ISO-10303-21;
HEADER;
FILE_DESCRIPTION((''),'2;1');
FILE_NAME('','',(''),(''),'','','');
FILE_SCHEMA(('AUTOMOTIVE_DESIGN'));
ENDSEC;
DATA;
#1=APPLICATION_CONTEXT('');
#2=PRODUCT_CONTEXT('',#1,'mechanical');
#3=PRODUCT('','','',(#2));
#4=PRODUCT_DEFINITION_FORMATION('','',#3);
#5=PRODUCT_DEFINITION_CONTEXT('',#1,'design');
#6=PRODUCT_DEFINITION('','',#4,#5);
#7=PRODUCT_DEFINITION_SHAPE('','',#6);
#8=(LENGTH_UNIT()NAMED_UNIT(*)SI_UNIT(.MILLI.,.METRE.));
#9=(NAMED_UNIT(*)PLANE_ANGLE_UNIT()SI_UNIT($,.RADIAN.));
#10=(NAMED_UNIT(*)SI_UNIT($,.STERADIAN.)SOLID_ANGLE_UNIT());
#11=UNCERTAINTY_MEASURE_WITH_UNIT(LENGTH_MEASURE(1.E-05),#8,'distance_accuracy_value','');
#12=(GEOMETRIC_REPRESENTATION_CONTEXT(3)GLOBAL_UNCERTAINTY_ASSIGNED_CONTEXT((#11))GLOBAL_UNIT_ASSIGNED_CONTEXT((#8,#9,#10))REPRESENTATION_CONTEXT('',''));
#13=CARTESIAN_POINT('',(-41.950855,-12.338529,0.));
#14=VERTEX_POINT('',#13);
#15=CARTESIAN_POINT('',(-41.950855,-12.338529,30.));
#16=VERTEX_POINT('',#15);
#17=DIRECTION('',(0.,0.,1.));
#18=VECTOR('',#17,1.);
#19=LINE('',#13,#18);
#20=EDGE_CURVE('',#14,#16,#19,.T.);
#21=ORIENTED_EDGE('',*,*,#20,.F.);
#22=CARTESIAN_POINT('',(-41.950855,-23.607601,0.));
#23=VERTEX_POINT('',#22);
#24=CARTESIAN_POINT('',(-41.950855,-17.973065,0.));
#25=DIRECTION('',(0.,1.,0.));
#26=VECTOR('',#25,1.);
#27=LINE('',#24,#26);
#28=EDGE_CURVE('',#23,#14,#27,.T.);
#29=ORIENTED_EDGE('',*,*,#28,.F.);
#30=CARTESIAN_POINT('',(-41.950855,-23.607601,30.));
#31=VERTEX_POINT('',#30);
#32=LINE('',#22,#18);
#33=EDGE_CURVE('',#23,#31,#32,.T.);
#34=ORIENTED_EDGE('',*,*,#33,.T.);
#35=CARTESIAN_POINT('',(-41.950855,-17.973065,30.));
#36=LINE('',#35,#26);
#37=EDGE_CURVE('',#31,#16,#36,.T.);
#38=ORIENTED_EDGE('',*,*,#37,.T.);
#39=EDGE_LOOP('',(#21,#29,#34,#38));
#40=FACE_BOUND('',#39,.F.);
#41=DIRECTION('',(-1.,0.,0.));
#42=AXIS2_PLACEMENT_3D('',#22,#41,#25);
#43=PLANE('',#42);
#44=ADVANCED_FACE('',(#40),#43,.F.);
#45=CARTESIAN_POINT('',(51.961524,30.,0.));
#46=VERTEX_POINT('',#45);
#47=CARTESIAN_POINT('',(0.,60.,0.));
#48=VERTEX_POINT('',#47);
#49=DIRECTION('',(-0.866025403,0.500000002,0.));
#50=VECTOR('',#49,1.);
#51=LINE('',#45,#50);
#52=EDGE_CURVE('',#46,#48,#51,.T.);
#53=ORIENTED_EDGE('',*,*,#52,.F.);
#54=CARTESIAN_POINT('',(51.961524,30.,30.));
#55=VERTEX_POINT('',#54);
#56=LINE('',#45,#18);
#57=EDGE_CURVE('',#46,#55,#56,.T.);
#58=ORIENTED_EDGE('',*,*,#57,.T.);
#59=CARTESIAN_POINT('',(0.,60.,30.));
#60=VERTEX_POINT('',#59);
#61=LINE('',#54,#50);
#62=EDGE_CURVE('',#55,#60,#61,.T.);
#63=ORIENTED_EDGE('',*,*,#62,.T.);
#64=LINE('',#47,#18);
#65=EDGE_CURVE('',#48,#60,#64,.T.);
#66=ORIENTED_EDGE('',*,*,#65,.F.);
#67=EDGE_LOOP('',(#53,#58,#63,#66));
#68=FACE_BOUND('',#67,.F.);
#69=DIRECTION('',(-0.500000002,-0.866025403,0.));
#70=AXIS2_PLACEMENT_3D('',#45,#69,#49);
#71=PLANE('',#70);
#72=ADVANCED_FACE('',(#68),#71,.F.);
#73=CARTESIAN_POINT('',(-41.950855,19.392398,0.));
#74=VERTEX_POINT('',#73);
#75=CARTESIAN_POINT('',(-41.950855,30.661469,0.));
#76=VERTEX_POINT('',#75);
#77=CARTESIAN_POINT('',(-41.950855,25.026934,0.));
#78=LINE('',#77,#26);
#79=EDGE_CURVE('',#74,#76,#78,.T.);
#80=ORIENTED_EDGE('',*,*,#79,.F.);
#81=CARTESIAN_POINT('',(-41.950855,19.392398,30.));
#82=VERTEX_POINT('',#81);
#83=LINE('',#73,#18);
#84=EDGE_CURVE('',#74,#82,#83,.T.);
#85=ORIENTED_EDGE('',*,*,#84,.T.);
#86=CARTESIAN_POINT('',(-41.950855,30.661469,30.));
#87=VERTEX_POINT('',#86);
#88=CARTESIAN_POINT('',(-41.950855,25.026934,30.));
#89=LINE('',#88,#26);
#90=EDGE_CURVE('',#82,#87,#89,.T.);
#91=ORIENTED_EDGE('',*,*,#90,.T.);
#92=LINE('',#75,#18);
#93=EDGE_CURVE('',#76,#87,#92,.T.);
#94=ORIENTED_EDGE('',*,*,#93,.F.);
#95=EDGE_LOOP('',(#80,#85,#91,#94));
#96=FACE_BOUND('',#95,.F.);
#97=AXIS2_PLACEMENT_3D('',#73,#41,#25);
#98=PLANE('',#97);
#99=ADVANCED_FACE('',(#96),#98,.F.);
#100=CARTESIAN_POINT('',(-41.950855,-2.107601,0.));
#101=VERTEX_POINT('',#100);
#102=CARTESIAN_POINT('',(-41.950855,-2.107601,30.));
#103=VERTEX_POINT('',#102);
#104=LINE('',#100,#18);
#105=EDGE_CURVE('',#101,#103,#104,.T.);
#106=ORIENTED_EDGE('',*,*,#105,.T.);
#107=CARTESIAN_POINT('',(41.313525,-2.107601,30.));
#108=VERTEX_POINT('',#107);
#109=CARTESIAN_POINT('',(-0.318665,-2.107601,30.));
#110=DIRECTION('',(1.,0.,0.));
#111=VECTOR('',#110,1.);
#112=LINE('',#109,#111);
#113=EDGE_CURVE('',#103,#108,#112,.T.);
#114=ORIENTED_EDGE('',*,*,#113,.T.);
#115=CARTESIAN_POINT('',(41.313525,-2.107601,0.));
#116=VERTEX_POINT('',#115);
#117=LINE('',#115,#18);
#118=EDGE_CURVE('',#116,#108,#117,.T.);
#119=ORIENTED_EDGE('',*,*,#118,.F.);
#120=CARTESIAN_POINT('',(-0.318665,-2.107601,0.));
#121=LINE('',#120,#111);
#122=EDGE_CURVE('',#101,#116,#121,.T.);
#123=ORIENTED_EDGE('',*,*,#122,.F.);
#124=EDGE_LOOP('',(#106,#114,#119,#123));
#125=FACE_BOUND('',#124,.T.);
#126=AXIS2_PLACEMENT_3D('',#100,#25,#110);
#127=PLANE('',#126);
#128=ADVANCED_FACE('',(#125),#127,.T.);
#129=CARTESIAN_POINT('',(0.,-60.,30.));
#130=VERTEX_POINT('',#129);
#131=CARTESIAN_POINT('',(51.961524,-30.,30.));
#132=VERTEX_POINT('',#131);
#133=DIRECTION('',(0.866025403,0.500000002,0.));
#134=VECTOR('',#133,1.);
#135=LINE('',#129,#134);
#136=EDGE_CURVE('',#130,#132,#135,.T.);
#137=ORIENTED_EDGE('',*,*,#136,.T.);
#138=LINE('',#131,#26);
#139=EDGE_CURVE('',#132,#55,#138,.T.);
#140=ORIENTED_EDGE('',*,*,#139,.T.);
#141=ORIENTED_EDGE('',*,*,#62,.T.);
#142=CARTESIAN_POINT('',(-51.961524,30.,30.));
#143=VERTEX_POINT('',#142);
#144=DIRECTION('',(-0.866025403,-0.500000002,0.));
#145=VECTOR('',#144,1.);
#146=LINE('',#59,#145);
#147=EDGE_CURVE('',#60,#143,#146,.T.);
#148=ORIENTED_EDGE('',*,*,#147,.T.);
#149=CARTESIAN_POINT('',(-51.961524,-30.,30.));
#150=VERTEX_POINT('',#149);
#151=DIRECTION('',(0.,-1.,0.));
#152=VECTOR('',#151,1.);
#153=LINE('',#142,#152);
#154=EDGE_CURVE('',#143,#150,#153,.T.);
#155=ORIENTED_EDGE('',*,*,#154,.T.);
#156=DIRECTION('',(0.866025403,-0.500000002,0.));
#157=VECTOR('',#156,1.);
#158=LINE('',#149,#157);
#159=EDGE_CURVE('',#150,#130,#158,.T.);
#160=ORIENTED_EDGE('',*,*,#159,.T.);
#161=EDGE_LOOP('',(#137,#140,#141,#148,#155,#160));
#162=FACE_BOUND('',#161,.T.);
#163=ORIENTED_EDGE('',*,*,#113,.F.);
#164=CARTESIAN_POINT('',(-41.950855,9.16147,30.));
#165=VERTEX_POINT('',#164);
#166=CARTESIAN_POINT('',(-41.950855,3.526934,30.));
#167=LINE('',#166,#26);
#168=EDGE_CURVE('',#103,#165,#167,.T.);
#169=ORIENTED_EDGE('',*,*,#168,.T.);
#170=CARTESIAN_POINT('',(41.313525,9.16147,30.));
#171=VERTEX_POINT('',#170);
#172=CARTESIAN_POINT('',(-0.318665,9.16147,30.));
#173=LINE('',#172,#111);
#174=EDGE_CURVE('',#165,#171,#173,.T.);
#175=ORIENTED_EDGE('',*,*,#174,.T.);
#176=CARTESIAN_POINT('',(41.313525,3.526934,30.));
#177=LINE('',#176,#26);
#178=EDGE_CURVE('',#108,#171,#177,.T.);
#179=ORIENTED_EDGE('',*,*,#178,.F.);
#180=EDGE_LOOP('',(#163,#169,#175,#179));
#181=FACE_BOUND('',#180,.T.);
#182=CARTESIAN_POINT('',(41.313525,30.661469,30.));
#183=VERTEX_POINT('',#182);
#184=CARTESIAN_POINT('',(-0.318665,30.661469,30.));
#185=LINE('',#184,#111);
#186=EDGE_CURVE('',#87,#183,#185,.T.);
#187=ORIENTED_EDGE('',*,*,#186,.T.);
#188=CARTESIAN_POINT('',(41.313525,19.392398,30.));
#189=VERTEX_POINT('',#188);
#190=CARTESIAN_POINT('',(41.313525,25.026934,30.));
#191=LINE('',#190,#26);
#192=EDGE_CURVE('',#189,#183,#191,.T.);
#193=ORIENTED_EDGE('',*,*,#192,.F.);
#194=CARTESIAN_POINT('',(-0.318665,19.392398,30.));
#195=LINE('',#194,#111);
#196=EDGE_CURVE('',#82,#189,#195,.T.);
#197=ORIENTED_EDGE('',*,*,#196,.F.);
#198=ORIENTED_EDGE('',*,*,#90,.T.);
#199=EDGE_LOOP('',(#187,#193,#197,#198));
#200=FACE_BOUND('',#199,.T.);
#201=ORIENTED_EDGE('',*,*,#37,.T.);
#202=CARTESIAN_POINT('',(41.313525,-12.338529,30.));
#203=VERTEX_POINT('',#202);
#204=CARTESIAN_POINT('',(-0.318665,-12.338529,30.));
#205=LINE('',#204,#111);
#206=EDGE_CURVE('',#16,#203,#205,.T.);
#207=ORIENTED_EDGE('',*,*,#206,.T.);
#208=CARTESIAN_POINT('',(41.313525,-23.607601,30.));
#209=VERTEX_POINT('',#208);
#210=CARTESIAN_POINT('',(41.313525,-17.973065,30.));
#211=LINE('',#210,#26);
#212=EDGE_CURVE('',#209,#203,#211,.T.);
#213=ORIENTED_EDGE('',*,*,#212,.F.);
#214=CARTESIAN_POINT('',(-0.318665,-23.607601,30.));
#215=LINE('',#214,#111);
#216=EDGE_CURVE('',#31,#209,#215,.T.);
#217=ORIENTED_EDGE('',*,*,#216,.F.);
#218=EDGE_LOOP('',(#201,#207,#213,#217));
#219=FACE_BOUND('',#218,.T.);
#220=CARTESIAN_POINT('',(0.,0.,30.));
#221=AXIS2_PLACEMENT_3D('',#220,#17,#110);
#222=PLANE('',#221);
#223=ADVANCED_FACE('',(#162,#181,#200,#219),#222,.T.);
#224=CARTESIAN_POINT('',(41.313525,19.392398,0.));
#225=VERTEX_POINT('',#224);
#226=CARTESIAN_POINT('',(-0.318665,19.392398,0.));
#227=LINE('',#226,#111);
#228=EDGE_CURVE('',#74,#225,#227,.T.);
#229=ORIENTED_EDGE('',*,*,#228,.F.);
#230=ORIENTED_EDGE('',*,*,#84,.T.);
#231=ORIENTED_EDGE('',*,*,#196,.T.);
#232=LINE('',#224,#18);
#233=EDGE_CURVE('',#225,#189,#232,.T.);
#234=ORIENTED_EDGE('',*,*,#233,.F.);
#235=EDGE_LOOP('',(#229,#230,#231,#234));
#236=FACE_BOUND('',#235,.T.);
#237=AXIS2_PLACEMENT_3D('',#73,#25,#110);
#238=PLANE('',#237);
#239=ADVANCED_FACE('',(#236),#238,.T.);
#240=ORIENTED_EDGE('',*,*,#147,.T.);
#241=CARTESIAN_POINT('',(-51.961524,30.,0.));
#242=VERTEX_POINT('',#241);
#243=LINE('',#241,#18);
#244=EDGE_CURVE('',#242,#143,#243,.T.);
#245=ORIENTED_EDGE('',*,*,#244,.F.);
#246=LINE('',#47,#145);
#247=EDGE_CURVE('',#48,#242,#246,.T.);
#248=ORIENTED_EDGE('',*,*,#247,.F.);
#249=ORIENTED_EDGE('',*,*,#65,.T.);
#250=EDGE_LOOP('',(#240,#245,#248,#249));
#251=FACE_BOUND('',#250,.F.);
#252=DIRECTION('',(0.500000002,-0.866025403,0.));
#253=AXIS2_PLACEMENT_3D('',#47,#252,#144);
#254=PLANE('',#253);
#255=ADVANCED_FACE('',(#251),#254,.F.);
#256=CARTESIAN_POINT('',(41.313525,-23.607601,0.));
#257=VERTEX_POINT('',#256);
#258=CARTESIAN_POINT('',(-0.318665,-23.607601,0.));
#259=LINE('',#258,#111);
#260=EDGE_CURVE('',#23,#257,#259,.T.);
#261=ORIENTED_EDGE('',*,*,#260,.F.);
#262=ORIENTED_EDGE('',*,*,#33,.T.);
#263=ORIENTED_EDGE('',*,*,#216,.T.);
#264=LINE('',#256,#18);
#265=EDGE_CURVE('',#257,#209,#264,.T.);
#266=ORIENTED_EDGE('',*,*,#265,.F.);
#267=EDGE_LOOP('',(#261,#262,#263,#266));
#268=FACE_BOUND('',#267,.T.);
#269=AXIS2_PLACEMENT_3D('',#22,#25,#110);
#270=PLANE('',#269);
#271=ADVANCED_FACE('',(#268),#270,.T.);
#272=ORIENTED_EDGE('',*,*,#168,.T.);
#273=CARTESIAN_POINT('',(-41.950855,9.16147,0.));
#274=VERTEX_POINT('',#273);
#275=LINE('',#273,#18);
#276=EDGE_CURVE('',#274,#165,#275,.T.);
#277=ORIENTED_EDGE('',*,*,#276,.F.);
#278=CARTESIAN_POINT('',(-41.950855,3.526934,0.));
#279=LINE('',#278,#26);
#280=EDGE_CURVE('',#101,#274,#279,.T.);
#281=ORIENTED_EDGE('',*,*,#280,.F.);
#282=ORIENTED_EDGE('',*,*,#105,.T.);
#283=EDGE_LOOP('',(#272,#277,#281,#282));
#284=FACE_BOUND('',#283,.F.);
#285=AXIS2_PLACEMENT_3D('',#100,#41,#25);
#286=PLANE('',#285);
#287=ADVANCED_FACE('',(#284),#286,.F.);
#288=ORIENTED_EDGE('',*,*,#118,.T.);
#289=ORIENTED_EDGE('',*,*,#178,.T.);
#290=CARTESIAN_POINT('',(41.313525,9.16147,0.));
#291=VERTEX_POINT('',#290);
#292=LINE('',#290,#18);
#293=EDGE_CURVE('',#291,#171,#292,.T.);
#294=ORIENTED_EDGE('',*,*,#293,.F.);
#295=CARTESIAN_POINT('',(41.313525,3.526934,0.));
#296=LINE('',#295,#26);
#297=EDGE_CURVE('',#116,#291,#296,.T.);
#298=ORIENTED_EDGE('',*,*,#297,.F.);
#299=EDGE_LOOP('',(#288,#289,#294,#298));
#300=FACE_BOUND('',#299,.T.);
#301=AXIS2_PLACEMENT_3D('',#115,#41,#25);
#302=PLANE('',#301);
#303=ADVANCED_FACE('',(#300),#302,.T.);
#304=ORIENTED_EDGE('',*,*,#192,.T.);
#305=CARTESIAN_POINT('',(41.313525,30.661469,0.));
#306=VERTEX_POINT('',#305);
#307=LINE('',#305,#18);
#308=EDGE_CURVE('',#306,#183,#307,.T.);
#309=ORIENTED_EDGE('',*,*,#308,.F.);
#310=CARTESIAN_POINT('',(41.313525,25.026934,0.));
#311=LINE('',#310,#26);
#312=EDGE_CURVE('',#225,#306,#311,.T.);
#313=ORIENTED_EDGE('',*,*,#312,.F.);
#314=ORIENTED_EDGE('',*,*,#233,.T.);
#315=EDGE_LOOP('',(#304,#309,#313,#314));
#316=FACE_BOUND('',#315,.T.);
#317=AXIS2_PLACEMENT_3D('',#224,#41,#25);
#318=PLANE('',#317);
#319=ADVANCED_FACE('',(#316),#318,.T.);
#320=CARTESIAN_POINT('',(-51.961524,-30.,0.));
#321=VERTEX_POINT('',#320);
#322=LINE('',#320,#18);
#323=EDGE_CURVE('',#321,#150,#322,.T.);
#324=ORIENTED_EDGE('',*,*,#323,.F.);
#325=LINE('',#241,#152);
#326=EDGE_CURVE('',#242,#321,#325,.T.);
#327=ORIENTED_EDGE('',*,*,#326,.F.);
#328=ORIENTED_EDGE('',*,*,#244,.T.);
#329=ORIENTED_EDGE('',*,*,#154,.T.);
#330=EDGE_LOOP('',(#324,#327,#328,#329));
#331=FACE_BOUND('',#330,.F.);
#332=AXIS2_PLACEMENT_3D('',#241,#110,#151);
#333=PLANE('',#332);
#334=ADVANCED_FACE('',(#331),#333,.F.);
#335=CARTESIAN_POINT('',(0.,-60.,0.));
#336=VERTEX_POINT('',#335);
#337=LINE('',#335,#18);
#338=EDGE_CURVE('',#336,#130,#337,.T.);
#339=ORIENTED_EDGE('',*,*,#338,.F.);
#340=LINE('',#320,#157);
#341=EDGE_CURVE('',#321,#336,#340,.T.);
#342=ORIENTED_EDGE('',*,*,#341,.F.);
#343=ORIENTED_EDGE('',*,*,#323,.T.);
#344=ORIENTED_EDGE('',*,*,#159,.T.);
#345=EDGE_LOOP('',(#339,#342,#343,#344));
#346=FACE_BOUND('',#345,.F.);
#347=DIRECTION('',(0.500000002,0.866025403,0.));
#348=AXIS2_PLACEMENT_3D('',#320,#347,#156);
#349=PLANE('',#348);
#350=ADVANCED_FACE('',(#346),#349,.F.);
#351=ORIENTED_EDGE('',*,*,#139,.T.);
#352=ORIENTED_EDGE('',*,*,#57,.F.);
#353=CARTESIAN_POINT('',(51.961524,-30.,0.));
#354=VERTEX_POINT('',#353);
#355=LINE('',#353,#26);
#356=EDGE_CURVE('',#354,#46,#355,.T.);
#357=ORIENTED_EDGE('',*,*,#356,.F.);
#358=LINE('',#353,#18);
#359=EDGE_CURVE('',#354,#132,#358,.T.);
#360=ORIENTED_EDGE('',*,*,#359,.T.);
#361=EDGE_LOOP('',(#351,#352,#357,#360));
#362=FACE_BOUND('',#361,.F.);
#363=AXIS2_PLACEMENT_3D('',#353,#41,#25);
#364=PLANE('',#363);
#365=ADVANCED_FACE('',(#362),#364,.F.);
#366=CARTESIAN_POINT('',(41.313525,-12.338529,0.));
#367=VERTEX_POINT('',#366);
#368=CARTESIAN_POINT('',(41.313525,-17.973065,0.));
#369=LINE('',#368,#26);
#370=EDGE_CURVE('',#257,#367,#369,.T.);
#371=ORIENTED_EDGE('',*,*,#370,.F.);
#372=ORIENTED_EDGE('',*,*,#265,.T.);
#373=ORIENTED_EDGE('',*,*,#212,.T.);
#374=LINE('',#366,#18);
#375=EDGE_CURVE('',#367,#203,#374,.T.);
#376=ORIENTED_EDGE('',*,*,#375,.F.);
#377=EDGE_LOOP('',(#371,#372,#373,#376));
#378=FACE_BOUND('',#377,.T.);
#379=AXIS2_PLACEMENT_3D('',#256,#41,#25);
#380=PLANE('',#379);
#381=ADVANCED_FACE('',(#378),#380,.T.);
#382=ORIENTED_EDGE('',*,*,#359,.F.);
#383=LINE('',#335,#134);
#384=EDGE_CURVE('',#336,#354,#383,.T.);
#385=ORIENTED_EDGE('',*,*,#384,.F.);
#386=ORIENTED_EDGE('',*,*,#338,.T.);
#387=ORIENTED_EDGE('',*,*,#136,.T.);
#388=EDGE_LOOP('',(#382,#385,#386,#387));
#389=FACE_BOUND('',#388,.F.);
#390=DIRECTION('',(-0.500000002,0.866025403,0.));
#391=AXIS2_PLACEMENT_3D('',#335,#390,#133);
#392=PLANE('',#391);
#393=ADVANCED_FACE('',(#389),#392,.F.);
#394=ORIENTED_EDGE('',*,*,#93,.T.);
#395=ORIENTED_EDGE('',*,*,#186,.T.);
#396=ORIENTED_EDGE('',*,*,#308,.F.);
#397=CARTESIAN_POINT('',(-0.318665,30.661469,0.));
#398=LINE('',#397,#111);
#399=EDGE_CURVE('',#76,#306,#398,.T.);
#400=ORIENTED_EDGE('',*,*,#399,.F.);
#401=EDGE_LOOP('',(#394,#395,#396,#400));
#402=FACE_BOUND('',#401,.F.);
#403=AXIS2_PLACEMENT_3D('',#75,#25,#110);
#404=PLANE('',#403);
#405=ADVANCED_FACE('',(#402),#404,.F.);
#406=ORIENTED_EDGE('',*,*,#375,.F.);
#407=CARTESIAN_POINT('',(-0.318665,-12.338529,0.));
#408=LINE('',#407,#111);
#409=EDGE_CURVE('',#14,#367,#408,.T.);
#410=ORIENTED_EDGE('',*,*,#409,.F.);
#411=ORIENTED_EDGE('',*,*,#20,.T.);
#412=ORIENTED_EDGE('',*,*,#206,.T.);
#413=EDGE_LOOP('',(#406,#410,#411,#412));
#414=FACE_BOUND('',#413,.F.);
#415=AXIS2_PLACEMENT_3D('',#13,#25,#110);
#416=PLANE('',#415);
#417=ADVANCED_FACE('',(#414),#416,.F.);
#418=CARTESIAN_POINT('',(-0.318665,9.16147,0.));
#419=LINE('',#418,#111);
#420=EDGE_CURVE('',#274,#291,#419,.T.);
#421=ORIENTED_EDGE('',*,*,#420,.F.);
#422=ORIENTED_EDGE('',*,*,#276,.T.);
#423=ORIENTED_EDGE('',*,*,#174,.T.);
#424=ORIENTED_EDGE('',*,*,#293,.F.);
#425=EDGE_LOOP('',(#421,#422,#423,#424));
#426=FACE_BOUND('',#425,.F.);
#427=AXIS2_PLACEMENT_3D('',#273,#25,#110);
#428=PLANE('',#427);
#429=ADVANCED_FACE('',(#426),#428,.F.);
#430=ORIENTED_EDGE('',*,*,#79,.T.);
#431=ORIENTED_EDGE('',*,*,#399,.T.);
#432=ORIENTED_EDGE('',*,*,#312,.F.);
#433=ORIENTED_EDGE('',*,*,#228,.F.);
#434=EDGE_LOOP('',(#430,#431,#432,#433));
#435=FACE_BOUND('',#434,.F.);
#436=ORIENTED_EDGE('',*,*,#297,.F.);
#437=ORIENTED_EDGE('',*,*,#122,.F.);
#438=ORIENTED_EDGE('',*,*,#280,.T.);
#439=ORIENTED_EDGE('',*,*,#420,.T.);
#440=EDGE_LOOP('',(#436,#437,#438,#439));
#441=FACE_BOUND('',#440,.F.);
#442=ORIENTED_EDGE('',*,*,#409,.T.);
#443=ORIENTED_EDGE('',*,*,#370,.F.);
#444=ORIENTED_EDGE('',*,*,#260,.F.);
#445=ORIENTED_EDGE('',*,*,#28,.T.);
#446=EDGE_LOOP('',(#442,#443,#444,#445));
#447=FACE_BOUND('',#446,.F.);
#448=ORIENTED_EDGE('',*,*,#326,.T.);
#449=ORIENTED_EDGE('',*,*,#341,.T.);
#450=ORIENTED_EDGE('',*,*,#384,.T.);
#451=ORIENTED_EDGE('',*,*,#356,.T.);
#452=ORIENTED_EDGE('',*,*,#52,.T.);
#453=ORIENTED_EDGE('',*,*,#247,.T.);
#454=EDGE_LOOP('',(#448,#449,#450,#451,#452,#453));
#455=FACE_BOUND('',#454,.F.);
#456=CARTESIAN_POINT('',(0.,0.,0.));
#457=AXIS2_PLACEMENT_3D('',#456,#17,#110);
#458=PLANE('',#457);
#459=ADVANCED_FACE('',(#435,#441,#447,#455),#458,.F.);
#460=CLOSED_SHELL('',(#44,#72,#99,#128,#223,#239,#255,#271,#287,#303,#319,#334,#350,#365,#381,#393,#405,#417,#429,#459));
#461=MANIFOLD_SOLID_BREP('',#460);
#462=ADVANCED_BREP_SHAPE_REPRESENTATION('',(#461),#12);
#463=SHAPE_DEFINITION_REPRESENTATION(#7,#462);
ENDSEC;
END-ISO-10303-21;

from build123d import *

# Parameters (mm, degrees)
F0_W     = 83.26438
F0_H     = 11.269071
F1_DEPTH = 30


with BuildPart() as f1:
    # F0 (on Top) → F1 (new body)
    with BuildSketch(Plane.XY):
        Polygon((51.961524, -30), (51.961524, 30), (0, 60), (-51.961524, 30), (-51.961524, -30), (0, -60), align=None)
        with Locations((-0.318665, -17.973065)):
            Rectangle(F0_W, F0_H, mode=Mode.SUBTRACT)
        with Locations((-0.318665, 3.526934)):
            Rectangle(F0_W, F0_H, mode=Mode.SUBTRACT)
        with Locations((-0.318665, 25.026934)):
            Rectangle(F0_W, F0_H, mode=Mode.SUBTRACT)
    extrude(amount=F1_DEPTH)


solid = f1.part
